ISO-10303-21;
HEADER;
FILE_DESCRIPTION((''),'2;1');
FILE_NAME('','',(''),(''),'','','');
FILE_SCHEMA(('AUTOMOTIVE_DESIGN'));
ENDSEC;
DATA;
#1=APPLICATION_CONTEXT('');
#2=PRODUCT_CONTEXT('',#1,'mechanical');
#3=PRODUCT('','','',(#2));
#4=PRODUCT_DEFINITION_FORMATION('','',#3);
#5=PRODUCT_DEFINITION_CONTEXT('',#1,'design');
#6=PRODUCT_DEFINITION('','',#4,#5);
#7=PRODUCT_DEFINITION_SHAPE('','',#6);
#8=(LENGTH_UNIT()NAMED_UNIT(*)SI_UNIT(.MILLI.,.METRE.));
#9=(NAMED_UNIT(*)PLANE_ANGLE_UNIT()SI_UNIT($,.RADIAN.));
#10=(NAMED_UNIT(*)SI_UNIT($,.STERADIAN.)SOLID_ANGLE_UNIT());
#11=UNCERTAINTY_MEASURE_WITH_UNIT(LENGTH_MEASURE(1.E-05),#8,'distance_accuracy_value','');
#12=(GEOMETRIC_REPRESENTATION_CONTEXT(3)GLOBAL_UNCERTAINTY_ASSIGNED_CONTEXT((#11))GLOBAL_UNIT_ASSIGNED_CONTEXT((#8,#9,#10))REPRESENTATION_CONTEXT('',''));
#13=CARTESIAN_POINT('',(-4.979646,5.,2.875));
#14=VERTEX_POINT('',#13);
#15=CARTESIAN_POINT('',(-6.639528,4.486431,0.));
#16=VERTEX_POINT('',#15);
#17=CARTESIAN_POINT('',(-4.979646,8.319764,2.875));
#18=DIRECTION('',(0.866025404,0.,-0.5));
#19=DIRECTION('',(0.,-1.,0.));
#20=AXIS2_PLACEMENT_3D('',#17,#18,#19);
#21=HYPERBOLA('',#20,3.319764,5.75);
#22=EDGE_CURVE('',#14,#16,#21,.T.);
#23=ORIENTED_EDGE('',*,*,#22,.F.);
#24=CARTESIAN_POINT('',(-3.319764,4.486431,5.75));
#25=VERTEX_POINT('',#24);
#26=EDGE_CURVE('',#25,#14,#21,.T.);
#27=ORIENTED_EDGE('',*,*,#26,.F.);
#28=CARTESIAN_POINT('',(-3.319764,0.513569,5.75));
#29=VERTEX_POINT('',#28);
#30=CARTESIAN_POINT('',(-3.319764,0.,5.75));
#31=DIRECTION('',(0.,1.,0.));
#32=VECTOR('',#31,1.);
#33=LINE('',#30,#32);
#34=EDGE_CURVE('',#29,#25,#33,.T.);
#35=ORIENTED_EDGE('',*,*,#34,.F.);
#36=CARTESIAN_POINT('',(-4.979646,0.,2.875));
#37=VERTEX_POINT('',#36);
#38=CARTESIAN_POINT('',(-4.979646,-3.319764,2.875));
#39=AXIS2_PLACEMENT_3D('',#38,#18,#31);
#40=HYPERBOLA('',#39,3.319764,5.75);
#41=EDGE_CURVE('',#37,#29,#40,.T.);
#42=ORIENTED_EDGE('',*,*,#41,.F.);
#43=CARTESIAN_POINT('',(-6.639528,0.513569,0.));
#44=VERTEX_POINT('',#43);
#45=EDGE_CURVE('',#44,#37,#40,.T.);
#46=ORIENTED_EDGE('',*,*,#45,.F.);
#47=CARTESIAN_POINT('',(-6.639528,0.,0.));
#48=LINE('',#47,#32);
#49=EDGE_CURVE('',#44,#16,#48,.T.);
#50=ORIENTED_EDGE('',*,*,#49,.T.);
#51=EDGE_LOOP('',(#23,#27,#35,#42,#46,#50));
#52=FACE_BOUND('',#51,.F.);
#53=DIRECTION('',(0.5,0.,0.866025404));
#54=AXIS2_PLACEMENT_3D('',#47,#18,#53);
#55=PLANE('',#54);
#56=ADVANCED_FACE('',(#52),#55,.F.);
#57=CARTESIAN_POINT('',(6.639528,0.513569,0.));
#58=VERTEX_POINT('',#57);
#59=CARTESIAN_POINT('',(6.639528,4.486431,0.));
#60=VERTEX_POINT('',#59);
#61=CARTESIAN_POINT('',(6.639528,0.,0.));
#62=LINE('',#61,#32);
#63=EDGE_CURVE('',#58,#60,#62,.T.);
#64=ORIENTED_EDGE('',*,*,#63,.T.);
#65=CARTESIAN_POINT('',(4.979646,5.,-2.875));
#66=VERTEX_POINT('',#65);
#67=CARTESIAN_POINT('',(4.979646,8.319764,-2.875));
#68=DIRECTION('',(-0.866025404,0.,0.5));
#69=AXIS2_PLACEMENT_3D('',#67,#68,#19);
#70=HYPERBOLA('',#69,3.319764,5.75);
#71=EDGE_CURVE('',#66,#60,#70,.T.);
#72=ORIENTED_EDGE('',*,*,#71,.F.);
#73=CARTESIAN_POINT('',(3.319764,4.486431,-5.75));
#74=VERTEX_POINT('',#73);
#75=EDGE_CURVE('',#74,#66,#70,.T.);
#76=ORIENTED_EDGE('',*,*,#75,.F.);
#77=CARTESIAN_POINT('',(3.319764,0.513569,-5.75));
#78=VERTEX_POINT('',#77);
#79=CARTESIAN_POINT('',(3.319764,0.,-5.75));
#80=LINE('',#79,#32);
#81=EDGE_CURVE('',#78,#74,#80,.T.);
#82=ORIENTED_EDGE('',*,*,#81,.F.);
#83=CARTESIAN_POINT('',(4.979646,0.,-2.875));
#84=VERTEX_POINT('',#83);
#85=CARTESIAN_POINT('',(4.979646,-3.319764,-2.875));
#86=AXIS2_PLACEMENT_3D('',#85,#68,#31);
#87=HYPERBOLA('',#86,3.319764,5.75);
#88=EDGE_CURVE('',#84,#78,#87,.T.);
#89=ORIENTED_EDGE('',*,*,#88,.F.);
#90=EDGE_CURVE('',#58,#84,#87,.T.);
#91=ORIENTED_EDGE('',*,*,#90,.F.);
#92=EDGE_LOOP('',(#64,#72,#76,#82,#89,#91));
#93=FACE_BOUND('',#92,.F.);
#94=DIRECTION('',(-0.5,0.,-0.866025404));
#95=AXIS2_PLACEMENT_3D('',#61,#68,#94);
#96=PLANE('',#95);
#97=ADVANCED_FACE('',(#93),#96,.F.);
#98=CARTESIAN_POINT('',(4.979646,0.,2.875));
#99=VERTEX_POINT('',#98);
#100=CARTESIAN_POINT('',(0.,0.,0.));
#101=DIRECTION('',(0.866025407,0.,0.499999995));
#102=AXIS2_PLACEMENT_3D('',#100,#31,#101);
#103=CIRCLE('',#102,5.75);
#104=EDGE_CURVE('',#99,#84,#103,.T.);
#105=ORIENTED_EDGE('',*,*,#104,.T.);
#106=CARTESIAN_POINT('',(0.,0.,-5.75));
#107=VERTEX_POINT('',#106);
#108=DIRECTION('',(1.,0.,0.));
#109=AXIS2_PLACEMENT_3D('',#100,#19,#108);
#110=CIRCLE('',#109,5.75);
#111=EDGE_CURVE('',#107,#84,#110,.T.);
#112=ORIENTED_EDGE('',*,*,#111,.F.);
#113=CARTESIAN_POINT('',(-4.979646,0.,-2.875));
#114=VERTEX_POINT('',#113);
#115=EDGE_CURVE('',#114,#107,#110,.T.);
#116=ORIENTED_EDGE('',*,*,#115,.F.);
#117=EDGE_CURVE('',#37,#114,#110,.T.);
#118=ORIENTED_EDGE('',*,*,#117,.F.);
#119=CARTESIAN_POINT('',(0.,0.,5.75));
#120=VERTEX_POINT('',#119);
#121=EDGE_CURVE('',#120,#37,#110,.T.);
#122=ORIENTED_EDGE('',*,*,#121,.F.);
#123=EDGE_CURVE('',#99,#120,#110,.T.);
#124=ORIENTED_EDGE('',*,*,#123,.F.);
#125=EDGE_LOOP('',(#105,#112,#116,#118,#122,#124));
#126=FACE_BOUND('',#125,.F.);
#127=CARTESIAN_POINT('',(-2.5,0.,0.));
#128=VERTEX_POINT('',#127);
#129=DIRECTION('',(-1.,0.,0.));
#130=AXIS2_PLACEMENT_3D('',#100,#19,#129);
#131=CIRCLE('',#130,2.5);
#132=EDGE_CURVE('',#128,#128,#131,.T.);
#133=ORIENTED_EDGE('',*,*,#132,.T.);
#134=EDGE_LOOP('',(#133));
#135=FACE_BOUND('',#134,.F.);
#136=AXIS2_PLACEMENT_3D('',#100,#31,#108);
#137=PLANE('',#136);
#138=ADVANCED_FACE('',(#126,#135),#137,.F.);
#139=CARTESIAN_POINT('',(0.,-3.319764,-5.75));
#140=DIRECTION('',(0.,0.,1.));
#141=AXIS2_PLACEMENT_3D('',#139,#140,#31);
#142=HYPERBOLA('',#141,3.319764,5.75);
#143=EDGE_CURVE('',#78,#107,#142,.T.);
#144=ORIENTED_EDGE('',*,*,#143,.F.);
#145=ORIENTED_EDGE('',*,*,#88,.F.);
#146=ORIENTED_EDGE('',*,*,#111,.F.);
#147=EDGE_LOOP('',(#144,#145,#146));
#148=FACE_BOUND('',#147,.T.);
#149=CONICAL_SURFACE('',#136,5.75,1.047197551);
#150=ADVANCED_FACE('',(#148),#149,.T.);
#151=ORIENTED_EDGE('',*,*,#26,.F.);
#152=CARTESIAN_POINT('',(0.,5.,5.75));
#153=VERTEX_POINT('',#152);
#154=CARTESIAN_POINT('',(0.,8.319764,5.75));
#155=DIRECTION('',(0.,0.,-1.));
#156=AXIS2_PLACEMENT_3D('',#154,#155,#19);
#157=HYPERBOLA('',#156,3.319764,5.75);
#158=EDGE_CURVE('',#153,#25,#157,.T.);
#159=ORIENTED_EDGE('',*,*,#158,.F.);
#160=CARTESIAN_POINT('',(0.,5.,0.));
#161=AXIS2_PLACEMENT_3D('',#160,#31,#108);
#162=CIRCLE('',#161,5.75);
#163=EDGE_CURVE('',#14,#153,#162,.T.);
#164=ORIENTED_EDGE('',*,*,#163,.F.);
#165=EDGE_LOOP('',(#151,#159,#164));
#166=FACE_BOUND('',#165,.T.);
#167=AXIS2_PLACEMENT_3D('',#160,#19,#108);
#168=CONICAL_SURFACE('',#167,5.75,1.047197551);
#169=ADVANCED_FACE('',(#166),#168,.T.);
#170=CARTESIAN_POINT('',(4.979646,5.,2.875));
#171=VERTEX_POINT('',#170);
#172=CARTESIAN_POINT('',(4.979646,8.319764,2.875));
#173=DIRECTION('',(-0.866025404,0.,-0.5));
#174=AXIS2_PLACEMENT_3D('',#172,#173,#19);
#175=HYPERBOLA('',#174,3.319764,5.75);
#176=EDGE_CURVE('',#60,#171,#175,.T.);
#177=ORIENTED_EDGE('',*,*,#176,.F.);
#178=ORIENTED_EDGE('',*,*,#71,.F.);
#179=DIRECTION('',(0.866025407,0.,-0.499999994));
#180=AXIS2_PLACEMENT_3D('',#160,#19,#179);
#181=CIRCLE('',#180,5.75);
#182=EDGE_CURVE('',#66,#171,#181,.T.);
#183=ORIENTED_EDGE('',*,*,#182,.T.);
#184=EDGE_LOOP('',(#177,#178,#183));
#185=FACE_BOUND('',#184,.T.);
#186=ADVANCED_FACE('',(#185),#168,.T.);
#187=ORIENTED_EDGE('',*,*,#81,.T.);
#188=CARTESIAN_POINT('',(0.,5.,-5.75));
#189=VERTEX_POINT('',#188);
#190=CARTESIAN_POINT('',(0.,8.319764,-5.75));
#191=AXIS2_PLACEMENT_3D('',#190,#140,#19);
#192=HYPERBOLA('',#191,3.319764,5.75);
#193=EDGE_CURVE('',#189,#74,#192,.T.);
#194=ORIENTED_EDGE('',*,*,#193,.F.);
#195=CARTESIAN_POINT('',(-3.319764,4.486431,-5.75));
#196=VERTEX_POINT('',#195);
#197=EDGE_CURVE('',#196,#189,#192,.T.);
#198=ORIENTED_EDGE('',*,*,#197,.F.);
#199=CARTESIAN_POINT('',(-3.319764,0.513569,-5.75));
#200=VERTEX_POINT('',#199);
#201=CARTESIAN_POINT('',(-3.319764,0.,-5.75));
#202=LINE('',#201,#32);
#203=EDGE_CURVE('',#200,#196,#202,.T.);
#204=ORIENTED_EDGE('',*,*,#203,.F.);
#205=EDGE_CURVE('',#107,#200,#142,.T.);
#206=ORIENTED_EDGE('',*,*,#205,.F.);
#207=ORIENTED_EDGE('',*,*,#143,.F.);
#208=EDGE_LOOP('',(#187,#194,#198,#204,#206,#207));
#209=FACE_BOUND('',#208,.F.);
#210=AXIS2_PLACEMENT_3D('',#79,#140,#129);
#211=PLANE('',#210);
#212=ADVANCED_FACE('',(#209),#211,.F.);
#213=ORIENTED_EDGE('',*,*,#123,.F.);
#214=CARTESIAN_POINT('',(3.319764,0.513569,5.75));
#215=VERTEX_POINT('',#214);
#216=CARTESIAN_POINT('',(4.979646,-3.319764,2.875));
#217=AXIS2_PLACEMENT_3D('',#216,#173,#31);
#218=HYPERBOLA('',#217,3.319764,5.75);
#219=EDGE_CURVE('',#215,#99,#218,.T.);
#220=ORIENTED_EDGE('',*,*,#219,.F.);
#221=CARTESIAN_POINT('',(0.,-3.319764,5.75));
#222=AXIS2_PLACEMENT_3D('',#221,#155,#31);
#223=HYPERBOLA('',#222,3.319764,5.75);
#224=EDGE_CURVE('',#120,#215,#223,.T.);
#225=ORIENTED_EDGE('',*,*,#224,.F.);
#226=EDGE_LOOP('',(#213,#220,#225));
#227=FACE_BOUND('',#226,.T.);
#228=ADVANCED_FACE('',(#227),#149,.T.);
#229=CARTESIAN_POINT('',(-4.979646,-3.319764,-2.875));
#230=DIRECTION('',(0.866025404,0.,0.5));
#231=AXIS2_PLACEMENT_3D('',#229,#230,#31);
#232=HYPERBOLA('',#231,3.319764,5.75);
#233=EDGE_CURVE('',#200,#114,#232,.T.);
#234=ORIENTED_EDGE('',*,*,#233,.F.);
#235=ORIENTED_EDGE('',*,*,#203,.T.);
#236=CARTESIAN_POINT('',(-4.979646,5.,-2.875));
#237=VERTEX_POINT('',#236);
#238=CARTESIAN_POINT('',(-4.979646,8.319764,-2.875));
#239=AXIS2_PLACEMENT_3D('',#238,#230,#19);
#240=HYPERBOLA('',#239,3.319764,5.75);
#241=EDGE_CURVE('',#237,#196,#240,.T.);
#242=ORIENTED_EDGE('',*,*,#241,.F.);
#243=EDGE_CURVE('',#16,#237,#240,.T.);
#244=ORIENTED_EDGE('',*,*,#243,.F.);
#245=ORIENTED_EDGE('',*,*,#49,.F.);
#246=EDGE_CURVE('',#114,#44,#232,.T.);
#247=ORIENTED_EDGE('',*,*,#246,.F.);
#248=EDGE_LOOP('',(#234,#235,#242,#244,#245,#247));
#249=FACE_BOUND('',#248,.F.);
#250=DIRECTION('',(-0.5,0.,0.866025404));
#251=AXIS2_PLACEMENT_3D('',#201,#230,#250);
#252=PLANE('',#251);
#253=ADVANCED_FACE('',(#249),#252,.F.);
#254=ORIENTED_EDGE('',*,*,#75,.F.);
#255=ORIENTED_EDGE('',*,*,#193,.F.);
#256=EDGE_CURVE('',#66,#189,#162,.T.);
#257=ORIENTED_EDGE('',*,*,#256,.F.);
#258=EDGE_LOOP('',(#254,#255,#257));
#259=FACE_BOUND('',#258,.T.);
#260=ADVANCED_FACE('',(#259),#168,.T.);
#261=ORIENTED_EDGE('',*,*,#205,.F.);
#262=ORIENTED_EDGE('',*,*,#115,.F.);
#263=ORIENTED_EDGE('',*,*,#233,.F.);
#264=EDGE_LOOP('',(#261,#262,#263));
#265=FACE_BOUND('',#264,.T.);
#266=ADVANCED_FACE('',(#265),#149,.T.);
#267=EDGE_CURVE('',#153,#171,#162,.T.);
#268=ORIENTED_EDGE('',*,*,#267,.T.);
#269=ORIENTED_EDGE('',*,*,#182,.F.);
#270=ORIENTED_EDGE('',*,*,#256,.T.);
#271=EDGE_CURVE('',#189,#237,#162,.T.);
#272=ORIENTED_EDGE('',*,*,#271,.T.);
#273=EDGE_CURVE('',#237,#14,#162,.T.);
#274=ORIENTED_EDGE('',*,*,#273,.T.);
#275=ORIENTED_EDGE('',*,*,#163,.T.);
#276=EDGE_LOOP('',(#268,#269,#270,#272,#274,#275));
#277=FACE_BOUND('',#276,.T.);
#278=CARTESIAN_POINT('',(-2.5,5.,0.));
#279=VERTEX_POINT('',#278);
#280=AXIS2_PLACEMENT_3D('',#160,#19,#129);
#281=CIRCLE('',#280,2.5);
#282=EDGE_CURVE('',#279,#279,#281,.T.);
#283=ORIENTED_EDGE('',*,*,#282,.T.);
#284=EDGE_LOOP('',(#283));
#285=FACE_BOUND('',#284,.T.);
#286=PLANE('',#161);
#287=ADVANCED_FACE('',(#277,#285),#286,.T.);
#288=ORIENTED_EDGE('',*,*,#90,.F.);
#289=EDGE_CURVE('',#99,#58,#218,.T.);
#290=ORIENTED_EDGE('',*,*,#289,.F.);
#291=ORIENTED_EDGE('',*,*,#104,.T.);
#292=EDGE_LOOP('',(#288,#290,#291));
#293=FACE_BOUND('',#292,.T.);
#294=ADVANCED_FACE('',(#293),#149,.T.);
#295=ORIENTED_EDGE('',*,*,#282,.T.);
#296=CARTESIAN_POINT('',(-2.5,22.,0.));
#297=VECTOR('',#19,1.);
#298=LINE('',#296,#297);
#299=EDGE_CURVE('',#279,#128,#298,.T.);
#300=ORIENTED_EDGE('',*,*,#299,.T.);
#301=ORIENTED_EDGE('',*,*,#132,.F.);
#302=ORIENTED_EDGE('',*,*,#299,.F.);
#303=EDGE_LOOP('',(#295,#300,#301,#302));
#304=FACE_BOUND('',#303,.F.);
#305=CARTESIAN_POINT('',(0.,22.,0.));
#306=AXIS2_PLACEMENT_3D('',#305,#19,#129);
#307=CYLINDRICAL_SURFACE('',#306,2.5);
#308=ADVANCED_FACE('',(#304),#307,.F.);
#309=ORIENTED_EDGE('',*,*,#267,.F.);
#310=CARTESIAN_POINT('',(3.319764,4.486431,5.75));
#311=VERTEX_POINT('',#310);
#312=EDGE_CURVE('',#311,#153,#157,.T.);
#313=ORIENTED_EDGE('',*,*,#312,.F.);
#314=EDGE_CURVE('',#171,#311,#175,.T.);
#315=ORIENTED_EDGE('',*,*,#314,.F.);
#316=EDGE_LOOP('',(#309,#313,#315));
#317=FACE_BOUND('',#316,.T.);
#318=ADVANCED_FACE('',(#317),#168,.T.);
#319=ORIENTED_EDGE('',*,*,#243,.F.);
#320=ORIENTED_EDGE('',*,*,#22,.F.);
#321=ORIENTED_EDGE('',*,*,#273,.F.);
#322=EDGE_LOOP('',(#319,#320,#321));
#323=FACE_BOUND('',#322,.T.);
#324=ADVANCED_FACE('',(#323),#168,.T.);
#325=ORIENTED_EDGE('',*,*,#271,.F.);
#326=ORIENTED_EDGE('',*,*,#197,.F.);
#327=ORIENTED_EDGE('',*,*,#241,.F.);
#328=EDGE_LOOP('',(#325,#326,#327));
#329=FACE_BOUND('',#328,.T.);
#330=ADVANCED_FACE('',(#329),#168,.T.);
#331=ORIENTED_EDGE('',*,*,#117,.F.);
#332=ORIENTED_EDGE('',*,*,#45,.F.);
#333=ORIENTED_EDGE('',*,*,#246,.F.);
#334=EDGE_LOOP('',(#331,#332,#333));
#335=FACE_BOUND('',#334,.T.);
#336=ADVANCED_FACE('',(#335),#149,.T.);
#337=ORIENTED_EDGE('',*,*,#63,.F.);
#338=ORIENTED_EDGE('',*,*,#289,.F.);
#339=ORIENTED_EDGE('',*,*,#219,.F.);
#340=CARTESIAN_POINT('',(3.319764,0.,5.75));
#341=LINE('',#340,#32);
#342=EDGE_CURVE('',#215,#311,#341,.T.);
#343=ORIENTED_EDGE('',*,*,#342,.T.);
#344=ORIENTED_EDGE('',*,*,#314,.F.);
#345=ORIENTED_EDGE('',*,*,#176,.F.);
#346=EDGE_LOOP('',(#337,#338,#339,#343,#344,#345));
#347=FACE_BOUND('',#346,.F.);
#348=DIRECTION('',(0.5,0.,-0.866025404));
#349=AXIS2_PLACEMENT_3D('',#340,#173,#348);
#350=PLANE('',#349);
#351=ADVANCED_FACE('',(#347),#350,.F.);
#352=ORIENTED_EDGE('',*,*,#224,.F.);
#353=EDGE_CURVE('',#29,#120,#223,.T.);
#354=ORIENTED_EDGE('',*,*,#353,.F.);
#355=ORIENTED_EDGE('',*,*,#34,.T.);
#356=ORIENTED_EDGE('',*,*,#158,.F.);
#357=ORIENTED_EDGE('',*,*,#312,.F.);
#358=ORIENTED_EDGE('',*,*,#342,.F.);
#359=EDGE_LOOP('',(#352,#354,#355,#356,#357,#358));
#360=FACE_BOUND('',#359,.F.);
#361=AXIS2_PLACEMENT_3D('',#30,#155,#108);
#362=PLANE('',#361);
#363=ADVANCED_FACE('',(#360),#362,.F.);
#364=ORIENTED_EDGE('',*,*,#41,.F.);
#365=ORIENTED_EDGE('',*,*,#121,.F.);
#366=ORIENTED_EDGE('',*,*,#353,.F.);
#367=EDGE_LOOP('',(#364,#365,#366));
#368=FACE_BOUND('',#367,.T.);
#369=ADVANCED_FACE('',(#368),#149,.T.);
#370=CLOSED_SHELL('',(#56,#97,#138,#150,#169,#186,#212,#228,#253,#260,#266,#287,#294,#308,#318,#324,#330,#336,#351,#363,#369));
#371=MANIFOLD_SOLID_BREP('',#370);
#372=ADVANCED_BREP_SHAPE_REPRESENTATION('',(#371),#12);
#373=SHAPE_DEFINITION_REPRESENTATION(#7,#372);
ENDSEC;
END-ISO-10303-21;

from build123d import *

# Parameters (mm, degrees)
BOSS_EXTRUDE1_DEPTH   = 5
SKETCH2_OUTSIDE_W     = 36.254
SKETCH2_OUTSIDE_H     = 34.474
SKETCH2_OUTSIDE_R     = 5.75
CUT_EXTRUDE1_DEPTH    = 5
CUT_EXTRUDE1_DRAFT    = -60
SKETCH3_OUTSIDE_W     = 36.254
SKETCH3_OUTSIDE_H     = 34.474
SKETCH3_OUTSIDE_R     = 5.75
CUT_EXTRUDE2_DEPTH    = 5
CUT_EXTRUDE2_DRAFT    = -60
M6_TAPPED_HOLE1_D     = 5
M6_TAPPED_HOLE1_DEPTH = 17


with BuildPart() as part:
    # Sketch1 → Boss-Extrude1 (new body)
    with BuildSketch(Plane(origin=(0, 0, 0), x_dir=(1, 0, 0), z_dir=(0, 1, 0))):
        Polygon((6.639528096, 0), (3.319764048, 5.75), (-3.319764048, 5.75), (-6.639528096, 0), (-3.319764048, -5.75), (3.319764048, -5.75), align=None)
    extrude(amount=BOSS_EXTRUDE1_DEPTH)


with BuildPart() as cut_extrude1_tool:
    # Sketch2 outside → Cut-Extrude1 (with draft: the straight prism first)
    with BuildSketch(Plane(origin=(0, 5, 0), x_dir=(1, 0, 0), z_dir=(0, 1, 0))):
        Rectangle(SKETCH2_OUTSIDE_W, SKETCH2_OUTSIDE_H)
        Circle(SKETCH2_OUTSIDE_R, mode=Mode.SUBTRACT)
    extrude(amount=-CUT_EXTRUDE1_DEPTH)
    # Cut-Extrude1: the draft: its side faces are tilted about the plane it starts from
    cut_extrude1_sides = [cut_extrude1_tool.faces().sort_by_distance(p)[0] for p in [
        (0, 2.5, 17.237),
        (18.127, 2.5, 0),
        (0, 2.5, -17.237),
        (-18.127, 2.5, 0),
        (-5.75, 2.5, 0),
    ]]
    draft(cut_extrude1_sides, Plane(origin=(0, 5, 0), x_dir=(1, 0, 0), z_dir=(0, 1, 0)), CUT_EXTRUDE1_DRAFT)


with BuildPart() as part_1:
    add(part.part)

    # Cut-Extrude1: cut by cut_extrude1_tool
    add(cut_extrude1_tool.part, mode=Mode.SUBTRACT)


with BuildPart() as cut_extrude2_tool:
    # Sketch3 outside → Cut-Extrude2 (with draft: the straight prism first)
    with BuildSketch(Plane.XZ):
        Rectangle(SKETCH3_OUTSIDE_W, SKETCH3_OUTSIDE_H)
        Circle(SKETCH3_OUTSIDE_R, mode=Mode.SUBTRACT)
    extrude(amount=-CUT_EXTRUDE2_DEPTH)
    # Cut-Extrude2: the draft: its side faces are tilted about the plane it starts from
    cut_extrude2_sides = [cut_extrude2_tool.faces().sort_by_distance(p)[0] for p in [
        (0, 2.5, -17.237),
        (18.127, 2.5, 0),
        (0, 2.5, 17.237),
        (-18.127, 2.5, 0),
        (-5.75, 2.5, 0),
    ]]
    draft(cut_extrude2_sides, Plane.XZ, CUT_EXTRUDE2_DRAFT)


with BuildPart() as part_2:
    add(part_1.part)

    # Cut-Extrude2: cut by cut_extrude2_tool
    add(cut_extrude2_tool.part, mode=Mode.SUBTRACT)

    # M6 Tapped Hole1
    with Locations(Plane(origin=(0, 5, 0), x_dir=(1, 0, 0), z_dir=(0, 1, 0))):
        with Locations((0, 0)):
            Hole(M6_TAPPED_HOLE1_D / 2, depth=M6_TAPPED_HOLE1_DEPTH)


solid = part_2.part
